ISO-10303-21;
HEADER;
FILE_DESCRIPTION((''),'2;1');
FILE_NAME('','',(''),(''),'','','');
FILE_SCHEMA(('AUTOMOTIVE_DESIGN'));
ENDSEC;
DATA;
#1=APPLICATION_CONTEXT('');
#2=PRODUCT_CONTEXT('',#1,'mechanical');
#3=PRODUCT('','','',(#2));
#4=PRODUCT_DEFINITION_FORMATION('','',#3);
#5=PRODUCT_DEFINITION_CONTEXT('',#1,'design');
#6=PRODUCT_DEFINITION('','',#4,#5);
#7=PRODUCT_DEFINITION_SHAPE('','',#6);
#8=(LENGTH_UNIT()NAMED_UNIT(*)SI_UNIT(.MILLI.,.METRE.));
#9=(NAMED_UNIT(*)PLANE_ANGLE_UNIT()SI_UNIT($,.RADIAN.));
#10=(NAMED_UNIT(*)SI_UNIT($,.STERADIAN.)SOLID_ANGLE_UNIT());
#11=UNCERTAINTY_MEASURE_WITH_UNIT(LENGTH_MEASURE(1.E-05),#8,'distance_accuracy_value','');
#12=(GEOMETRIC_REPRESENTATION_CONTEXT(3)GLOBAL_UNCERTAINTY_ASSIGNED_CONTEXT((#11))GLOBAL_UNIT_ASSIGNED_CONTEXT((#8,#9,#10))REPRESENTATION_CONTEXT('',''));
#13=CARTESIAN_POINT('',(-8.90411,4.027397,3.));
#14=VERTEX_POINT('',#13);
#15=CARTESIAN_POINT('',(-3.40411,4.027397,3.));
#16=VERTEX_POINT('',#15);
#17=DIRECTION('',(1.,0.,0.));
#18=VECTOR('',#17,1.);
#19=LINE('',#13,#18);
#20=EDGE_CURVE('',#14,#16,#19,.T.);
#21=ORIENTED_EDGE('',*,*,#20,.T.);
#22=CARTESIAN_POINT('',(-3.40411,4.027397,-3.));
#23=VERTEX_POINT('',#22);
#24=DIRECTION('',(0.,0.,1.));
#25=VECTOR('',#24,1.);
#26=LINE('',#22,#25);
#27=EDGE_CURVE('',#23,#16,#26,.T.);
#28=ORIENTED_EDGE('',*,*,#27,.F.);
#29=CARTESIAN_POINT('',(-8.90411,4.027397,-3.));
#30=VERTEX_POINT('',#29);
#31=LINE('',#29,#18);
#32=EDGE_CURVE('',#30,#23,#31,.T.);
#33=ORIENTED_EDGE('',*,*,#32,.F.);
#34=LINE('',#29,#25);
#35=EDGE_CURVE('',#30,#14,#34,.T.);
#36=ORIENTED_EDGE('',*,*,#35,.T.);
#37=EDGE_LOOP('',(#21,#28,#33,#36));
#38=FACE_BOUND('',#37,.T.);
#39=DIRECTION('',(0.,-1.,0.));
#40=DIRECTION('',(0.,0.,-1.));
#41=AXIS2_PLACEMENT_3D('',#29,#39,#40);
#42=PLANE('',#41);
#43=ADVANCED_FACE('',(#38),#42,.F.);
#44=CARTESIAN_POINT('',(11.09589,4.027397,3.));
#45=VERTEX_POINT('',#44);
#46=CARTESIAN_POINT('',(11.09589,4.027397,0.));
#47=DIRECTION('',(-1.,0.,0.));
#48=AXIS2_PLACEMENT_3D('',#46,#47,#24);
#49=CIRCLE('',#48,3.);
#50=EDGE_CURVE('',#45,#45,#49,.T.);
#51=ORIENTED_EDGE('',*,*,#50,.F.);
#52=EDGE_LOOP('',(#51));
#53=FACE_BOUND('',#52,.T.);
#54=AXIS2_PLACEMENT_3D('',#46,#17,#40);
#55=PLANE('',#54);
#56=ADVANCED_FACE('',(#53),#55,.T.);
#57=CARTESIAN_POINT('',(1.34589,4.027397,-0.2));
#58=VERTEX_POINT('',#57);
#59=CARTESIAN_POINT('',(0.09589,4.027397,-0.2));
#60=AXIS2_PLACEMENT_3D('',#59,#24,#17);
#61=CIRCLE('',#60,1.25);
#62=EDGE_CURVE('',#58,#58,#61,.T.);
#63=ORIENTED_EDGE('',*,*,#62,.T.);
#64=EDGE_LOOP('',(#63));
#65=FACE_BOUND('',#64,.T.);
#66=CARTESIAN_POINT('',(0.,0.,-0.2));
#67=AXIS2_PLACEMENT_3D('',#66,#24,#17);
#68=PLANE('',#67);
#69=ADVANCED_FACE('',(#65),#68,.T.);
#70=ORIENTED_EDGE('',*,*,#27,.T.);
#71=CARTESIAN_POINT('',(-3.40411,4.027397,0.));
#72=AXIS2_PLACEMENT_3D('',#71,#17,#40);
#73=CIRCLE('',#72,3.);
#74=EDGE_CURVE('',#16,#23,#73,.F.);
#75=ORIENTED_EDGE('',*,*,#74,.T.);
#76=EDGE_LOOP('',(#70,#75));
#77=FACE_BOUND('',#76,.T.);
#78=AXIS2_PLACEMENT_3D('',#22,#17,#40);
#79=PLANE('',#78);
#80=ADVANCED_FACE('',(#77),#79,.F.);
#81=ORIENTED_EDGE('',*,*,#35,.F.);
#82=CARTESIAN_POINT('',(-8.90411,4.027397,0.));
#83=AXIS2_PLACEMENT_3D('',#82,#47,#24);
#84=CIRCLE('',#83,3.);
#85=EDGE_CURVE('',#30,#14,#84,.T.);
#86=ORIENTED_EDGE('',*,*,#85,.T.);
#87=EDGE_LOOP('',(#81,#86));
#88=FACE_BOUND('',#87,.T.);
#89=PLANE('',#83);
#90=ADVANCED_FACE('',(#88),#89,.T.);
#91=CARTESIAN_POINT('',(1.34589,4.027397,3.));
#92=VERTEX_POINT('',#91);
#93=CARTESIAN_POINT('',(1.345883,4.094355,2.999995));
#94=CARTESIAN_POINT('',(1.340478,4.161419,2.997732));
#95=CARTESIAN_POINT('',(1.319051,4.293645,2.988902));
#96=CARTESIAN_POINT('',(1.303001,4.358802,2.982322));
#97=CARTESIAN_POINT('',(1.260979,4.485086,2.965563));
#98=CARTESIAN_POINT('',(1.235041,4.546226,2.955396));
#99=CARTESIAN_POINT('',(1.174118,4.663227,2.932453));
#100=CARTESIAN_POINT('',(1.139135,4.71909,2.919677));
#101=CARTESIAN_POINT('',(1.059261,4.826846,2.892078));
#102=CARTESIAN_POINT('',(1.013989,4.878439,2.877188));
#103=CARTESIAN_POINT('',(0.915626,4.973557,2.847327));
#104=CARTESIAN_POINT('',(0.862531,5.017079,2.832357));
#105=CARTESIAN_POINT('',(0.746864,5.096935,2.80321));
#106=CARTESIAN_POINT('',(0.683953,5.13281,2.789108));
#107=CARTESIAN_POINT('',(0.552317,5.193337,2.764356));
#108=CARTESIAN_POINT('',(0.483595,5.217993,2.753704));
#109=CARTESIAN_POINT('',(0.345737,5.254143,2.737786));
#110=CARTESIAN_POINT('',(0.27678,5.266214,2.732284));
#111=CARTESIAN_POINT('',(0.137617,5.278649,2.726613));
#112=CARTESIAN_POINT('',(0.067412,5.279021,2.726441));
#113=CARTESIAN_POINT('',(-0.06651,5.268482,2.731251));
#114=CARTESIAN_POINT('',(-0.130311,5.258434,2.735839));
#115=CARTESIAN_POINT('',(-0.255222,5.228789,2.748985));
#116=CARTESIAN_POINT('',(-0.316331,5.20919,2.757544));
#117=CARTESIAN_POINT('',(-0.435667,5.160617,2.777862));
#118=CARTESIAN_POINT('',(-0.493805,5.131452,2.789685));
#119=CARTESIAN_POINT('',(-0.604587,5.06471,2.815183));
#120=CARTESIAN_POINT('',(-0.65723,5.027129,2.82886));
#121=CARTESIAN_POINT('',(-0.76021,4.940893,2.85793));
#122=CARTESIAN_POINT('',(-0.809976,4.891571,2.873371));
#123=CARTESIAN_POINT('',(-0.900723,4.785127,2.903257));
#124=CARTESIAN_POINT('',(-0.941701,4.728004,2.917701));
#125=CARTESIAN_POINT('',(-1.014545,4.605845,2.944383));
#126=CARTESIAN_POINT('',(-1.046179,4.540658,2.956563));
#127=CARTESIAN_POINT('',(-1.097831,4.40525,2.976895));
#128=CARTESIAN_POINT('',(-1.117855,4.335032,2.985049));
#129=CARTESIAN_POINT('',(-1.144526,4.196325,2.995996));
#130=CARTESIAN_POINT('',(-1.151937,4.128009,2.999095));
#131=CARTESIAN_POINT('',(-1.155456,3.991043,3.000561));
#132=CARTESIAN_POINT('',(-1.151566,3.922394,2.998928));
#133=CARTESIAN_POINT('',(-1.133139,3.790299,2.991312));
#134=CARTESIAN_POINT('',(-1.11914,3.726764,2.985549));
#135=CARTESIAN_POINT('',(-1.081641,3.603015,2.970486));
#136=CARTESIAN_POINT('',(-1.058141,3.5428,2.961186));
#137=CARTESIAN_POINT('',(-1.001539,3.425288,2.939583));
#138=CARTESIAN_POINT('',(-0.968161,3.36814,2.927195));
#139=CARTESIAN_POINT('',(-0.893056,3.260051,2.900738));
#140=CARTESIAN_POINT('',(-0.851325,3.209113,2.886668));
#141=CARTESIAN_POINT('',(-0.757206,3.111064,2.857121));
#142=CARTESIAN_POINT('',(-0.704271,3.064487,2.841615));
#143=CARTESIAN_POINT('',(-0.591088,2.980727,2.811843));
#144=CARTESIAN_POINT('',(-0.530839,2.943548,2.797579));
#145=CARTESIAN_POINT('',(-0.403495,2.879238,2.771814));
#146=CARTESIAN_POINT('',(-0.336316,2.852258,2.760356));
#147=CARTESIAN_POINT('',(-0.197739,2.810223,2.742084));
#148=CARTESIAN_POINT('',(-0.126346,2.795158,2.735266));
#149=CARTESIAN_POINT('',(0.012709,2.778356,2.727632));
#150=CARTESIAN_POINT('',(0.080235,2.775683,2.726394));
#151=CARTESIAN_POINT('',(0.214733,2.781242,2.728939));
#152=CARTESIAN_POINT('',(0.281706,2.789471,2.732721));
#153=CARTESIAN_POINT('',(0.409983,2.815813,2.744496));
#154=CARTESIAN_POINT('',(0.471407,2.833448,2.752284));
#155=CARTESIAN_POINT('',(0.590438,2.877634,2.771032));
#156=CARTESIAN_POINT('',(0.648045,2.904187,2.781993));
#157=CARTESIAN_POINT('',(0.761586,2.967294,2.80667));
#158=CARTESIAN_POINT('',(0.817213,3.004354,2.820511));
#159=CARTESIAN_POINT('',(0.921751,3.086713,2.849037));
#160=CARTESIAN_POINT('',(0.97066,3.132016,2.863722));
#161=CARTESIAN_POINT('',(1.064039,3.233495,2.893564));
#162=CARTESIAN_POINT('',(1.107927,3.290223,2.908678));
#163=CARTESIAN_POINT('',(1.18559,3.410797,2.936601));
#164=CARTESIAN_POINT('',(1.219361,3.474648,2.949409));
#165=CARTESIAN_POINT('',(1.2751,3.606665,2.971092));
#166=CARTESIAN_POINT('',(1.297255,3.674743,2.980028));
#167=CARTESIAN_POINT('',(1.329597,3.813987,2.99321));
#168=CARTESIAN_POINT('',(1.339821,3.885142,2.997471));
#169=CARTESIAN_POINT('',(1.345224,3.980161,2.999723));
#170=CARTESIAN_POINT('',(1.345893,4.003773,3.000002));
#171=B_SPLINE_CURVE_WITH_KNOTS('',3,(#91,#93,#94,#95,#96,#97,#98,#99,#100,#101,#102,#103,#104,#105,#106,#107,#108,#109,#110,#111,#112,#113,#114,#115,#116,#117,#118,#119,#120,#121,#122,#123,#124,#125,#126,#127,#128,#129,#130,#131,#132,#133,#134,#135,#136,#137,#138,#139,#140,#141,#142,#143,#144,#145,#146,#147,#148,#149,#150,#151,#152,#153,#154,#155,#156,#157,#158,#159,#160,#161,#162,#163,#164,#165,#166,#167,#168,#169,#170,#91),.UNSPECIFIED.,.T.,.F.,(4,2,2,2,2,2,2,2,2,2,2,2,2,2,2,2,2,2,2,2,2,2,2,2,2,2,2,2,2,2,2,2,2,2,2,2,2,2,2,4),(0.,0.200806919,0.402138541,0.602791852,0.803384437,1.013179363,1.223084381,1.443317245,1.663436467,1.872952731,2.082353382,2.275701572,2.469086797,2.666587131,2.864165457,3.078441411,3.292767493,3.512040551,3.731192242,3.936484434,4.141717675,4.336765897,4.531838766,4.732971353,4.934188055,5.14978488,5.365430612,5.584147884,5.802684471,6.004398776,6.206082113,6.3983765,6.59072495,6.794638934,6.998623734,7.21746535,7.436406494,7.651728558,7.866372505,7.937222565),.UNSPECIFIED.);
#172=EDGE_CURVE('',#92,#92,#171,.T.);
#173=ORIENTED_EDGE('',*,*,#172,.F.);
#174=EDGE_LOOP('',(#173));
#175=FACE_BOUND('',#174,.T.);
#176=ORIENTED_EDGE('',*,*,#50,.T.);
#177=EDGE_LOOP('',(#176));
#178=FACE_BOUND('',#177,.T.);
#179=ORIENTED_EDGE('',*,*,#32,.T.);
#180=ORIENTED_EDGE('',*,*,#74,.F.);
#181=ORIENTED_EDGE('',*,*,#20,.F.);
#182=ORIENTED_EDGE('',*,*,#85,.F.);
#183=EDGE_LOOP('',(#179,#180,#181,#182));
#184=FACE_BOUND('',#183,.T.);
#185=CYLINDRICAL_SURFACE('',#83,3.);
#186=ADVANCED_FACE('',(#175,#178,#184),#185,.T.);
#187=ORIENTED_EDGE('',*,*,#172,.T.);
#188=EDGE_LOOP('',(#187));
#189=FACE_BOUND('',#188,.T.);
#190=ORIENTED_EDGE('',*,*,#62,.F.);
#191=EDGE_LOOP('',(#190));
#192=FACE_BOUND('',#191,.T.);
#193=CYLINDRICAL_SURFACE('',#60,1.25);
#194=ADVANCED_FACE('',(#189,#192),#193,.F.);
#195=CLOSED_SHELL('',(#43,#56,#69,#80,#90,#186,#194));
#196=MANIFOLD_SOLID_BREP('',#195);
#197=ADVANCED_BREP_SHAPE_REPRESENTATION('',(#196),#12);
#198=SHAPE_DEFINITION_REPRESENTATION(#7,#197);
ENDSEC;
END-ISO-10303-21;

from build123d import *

# Parameters (mm, degrees)
SKETCH1_W               = 20
SKETCH1_H               = 3
CUT_EXTRUDE1_DEPTH      = 14.472308498
CUT_EXTRUDE1_DEPTH_BACK = 14.472308498
SKETCH2_W               = 5.5
SKETCH2_H               = 3
SKETCH4_R               = 1.25
CUT_EXTRUDE2_DEPTH      = 3.2


with BuildPart() as part:
    # Sketch1 → Revolve1 (revolve)
    with BuildSketch(Plane.XY, mode=Mode.PRIVATE) as revolve1_sk:
        with Locations((1.095890411, 2.52739726)):
            Rectangle(SKETCH1_W, SKETCH1_H)
    revolve(revolve1_sk.sketch.rotate(Axis((-8.904109589, 4.02739726, 0), (1, 0, 0)), 270), axis=Axis((-8.904109589, 4.02739726, 0), (1, 0, 0)))

    # Sketch2 → Cut-Extrude1 (cut, two sides: drawn at the far end of the back side and taken through both)
    with BuildSketch(Plane.XY.offset(-CUT_EXTRUDE1_DEPTH_BACK)):
        with Locations((-6.154109589, 5.52739726)):
            Rectangle(SKETCH2_W, SKETCH2_H)
    extrude(amount=CUT_EXTRUDE1_DEPTH + CUT_EXTRUDE1_DEPTH_BACK, mode=Mode.SUBTRACT)

    # Sketch4 → Cut-Extrude2 (cut)
    with BuildSketch(Plane.XY.offset(3)):
        with Locations((0.095890411, 4.02739726)):
            Circle(SKETCH4_R)
    extrude(amount=-CUT_EXTRUDE2_DEPTH, mode=Mode.SUBTRACT)


solid = part.part
